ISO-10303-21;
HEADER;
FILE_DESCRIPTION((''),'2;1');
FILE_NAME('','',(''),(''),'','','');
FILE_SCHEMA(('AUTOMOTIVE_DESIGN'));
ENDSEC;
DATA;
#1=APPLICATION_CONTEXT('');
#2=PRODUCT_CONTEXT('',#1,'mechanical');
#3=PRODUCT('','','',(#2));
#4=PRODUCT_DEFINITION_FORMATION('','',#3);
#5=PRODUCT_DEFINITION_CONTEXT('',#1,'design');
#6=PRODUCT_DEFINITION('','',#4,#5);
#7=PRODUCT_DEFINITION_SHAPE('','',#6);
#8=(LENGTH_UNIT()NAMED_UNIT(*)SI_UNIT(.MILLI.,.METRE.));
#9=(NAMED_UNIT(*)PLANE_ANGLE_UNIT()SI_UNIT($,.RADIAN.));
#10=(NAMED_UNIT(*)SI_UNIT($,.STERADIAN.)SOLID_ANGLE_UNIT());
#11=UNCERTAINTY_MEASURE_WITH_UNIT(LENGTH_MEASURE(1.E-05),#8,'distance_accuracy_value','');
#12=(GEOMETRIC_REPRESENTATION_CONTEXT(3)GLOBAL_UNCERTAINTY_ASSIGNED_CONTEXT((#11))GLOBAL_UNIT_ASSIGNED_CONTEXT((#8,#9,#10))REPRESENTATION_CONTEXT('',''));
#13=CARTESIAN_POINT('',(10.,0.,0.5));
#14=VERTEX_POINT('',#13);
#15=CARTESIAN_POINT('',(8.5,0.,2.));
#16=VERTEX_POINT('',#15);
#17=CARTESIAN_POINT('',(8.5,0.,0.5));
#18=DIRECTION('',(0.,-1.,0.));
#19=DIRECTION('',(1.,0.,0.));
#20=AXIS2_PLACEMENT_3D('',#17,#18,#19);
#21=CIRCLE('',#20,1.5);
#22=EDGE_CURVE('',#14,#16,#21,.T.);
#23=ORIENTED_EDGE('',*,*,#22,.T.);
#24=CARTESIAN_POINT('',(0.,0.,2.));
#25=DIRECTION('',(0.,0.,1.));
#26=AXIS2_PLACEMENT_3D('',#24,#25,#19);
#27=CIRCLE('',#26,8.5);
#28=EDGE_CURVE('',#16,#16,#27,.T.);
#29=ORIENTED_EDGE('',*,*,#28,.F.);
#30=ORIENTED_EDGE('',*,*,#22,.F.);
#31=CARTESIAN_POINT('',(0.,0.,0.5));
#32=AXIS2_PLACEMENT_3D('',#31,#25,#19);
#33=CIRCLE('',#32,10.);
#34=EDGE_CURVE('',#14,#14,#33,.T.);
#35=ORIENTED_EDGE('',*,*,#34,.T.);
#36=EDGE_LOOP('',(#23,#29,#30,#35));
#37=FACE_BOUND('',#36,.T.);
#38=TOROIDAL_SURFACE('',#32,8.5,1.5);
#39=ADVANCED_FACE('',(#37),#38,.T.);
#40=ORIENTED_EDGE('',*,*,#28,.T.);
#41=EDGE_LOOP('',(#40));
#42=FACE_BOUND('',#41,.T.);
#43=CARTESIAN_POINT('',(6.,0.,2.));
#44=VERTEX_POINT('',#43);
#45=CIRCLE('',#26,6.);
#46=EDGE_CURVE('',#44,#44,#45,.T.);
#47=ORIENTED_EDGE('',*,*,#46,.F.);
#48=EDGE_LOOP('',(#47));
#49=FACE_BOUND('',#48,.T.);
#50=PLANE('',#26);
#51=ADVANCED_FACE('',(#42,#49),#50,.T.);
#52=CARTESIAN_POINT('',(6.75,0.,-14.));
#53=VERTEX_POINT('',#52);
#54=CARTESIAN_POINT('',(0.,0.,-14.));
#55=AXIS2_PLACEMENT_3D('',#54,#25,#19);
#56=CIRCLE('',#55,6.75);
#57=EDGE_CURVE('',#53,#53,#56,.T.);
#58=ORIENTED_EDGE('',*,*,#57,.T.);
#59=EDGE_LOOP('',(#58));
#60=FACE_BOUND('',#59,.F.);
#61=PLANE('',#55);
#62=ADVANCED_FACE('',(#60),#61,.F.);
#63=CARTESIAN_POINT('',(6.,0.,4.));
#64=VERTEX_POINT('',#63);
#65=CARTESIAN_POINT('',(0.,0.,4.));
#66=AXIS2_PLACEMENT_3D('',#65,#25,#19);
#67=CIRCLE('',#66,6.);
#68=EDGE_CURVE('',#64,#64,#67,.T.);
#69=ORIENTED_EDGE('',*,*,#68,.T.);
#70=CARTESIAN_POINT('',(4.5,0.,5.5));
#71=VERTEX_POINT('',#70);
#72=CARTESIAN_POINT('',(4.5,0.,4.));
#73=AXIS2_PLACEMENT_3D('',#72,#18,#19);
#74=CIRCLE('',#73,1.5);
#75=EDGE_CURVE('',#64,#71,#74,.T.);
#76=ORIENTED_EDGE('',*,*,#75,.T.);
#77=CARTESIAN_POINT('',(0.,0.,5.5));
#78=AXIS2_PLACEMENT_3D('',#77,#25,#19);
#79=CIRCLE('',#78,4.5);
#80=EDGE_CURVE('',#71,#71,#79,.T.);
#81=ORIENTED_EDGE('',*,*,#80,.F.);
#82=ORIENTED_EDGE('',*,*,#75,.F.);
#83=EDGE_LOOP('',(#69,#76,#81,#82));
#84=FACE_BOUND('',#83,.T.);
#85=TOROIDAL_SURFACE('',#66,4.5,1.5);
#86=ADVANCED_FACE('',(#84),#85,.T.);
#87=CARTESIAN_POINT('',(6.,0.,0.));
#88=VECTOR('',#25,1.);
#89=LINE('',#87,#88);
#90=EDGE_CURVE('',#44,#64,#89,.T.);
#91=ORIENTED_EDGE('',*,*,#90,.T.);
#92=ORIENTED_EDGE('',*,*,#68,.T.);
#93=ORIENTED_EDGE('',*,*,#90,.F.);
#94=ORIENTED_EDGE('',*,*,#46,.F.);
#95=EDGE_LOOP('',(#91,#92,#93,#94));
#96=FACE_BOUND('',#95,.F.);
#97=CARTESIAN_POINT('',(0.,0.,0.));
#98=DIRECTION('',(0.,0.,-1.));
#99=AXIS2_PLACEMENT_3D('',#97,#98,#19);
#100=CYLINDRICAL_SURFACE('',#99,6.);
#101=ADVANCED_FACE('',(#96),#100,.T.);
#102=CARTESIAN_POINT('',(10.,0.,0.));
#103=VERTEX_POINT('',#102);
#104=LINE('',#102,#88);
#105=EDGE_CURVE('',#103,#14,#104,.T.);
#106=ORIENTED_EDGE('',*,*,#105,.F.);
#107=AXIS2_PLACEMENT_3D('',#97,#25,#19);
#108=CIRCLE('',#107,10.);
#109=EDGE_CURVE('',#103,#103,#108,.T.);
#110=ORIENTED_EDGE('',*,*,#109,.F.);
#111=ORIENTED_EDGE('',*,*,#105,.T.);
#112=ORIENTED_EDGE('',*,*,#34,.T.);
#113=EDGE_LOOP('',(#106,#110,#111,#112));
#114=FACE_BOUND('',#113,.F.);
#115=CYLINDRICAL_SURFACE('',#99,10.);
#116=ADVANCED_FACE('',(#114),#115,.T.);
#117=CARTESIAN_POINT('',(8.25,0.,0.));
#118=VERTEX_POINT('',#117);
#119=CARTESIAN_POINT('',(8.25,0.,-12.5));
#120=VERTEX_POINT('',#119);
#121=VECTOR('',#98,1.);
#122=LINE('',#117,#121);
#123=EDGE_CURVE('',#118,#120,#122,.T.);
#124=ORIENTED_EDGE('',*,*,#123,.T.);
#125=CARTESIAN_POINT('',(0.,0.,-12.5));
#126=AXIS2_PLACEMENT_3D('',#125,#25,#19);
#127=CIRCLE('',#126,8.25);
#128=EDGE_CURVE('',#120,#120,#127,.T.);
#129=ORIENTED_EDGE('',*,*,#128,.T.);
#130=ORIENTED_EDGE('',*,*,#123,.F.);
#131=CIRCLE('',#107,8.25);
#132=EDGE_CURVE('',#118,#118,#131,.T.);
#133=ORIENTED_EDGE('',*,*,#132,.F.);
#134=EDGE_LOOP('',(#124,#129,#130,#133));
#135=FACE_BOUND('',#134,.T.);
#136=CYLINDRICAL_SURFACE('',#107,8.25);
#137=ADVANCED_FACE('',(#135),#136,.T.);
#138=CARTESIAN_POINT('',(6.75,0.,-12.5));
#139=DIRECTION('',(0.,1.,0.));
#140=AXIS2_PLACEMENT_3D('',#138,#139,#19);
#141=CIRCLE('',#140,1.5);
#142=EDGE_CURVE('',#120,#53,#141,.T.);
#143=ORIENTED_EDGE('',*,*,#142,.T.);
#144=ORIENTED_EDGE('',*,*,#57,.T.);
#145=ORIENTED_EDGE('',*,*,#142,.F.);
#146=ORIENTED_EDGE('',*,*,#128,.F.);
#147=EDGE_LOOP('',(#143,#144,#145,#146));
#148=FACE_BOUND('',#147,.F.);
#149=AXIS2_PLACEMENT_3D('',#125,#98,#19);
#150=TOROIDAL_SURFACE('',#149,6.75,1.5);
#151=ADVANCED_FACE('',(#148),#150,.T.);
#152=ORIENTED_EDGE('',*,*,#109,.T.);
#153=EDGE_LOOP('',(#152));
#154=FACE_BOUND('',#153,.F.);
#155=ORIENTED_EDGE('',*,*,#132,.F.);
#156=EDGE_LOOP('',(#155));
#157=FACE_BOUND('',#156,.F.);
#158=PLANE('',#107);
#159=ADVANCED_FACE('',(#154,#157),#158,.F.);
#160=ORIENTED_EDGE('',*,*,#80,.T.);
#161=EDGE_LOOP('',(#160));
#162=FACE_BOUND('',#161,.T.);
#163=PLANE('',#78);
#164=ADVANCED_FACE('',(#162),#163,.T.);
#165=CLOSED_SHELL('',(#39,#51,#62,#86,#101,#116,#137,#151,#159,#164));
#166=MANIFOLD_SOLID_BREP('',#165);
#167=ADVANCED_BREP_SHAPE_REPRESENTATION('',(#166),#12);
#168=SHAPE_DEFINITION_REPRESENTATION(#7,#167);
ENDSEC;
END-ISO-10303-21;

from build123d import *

# Parameters (mm, degrees)
F0_R     = 6
F1_DEPTH = 5.5
F0_R_2   = 10
F0_R_3   = 8.25
F2_DEPTH = 2
F3_DEPTH = 14
F4_R     = 1.5


with BuildPart() as f1:
    # F0 (on Top) → F1 (new body)
    with BuildSketch(Plane.XY):
        Circle(F0_R)
    extrude(amount=F1_DEPTH)

    # F0 (on Top) → F2 (join)
    with BuildSketch(Plane.XY):
        Circle(F0_R_2)
        Circle(F0_R_3, mode=Mode.SUBTRACT)
        Circle(F0_R_3)
        Circle(F0_R, mode=Mode.SUBTRACT)
    extrude(amount=F2_DEPTH)

    # F0 (on Top) → F3 (join)
    with BuildSketch(Plane.XY):
        Circle(F0_R_3)
        Circle(F0_R, mode=Mode.SUBTRACT)
        Circle(F0_R)
    extrude(amount=-F3_DEPTH)

    # F4
    f4_edges = [f1.edges().sort_by_distance(p)[0] for p in [
        (-10, 0, 2),
        (-6, 0, 5.5),
        (-8.25, 0, -14),
    ]]
    fillet(f4_edges, radius=F4_R)


solid = f1.part
